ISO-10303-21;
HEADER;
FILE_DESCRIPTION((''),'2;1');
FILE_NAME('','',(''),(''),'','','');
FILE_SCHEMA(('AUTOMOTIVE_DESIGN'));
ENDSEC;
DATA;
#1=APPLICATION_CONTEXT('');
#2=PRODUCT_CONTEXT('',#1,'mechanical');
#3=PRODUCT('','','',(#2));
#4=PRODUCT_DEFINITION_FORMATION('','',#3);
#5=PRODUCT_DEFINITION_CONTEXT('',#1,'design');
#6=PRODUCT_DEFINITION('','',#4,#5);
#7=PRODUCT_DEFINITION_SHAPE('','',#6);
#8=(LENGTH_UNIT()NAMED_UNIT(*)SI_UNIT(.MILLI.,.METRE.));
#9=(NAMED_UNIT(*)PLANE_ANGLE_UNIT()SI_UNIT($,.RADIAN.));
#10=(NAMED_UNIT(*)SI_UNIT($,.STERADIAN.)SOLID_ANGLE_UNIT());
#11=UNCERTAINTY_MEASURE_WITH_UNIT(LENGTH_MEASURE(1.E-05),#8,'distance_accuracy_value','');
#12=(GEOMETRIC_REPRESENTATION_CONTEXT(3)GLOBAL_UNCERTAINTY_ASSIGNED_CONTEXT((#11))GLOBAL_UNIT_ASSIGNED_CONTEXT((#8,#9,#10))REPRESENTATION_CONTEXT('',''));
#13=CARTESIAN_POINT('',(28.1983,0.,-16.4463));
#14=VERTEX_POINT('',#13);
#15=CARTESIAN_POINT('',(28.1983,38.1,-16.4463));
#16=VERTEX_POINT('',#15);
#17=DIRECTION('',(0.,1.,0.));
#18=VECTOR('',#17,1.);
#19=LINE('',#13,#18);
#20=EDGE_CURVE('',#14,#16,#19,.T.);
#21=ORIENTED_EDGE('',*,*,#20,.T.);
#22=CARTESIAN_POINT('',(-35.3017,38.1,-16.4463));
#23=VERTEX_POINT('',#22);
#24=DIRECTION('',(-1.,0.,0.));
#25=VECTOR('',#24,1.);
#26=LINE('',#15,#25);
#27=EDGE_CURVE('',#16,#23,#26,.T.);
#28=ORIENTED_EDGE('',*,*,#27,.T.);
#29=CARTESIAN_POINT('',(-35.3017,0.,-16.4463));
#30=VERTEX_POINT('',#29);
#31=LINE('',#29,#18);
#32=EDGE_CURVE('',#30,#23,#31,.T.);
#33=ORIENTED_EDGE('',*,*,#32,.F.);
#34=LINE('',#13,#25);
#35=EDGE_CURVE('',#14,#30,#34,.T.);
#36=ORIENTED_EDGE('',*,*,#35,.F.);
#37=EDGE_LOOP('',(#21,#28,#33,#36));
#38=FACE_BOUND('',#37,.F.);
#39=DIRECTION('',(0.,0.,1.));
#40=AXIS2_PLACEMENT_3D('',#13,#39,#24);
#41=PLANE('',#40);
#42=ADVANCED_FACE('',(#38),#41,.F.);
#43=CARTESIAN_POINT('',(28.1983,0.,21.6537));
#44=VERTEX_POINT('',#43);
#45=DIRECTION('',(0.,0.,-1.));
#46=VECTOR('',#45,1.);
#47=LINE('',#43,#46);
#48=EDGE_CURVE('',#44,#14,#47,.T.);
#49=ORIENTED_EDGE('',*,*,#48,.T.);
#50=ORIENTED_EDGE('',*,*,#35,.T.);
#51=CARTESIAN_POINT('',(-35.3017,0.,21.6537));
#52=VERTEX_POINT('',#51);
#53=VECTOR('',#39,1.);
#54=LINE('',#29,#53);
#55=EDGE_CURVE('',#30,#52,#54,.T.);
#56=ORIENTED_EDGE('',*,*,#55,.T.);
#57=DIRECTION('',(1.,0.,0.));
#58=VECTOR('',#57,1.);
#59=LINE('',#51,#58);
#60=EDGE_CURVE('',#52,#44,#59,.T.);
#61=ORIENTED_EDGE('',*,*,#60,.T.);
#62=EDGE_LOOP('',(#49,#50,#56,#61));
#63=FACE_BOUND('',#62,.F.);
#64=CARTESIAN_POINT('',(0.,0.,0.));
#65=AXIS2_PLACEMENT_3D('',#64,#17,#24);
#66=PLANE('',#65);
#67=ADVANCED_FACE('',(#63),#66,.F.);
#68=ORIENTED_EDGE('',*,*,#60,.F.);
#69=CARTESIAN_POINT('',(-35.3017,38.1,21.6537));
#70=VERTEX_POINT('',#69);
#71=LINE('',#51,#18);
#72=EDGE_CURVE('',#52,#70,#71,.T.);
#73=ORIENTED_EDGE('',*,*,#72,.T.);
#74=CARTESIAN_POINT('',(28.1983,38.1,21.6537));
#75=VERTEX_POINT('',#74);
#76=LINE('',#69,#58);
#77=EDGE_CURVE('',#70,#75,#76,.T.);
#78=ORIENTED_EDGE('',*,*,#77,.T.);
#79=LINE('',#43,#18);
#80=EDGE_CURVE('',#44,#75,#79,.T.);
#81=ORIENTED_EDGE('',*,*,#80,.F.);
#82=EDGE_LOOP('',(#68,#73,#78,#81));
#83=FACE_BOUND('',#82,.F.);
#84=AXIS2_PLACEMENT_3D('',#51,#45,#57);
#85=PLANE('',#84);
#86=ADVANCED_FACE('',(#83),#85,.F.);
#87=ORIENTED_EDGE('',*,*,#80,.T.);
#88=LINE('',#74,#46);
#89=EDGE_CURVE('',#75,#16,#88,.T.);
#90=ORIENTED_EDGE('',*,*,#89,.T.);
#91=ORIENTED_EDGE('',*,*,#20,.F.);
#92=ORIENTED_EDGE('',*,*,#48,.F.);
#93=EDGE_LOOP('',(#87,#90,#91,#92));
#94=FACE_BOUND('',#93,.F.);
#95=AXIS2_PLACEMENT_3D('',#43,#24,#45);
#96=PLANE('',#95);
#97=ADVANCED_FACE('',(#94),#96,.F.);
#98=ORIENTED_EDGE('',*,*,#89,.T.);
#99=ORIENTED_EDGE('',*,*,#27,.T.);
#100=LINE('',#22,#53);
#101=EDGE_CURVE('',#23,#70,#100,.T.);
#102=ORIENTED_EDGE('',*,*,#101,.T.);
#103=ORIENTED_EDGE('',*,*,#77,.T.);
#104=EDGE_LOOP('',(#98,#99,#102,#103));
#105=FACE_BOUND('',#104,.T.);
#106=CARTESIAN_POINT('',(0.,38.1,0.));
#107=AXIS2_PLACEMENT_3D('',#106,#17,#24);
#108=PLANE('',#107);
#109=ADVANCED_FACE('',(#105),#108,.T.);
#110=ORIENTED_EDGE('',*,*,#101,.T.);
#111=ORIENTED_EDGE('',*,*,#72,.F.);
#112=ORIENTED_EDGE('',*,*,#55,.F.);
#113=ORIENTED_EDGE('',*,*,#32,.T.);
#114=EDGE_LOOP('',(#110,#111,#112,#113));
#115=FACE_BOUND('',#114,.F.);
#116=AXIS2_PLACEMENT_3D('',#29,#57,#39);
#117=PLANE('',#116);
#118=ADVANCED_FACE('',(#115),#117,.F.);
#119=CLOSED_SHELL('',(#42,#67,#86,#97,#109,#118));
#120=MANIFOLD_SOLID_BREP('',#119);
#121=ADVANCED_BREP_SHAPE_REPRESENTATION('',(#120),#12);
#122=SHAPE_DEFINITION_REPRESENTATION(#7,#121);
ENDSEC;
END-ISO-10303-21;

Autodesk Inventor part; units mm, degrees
ref_plane "YZ Plane" through (0, 0, 0) normal (1, 0, 0) x (0, 1, 0)
ref_plane "XZ Plane" through (0, 0, 0) normal (0, 1, 0) x (-1, 0, 0)
ref_plane "XY Plane" through (0, 0, 0) normal (0, 0, 1) x (1, 0, 0)
sketch "Sketch1" plane through (0, 0, 0) normal (0, 1, 0) x (-1, 0, 0)
  line L0 (35.3017, 21.6537) -> (-28.1983, 21.6537)
  line L1 (-28.1983, 21.6537) -> (-28.1983, -16.4463)
  line L2 (-28.1983, -16.4463) -> (35.3017, -16.4463)
  line L3 (35.3017, -16.4463) -> (35.3017, 21.6537)
  point P0 (0, 0)
  dimension "d0" = 63.5
  dimension "d1" = 38.1
extrude "Extrusion1" add sketch "Sketch1" along normal blind 38.1
properties part number "Custom.Motor.Caps"
